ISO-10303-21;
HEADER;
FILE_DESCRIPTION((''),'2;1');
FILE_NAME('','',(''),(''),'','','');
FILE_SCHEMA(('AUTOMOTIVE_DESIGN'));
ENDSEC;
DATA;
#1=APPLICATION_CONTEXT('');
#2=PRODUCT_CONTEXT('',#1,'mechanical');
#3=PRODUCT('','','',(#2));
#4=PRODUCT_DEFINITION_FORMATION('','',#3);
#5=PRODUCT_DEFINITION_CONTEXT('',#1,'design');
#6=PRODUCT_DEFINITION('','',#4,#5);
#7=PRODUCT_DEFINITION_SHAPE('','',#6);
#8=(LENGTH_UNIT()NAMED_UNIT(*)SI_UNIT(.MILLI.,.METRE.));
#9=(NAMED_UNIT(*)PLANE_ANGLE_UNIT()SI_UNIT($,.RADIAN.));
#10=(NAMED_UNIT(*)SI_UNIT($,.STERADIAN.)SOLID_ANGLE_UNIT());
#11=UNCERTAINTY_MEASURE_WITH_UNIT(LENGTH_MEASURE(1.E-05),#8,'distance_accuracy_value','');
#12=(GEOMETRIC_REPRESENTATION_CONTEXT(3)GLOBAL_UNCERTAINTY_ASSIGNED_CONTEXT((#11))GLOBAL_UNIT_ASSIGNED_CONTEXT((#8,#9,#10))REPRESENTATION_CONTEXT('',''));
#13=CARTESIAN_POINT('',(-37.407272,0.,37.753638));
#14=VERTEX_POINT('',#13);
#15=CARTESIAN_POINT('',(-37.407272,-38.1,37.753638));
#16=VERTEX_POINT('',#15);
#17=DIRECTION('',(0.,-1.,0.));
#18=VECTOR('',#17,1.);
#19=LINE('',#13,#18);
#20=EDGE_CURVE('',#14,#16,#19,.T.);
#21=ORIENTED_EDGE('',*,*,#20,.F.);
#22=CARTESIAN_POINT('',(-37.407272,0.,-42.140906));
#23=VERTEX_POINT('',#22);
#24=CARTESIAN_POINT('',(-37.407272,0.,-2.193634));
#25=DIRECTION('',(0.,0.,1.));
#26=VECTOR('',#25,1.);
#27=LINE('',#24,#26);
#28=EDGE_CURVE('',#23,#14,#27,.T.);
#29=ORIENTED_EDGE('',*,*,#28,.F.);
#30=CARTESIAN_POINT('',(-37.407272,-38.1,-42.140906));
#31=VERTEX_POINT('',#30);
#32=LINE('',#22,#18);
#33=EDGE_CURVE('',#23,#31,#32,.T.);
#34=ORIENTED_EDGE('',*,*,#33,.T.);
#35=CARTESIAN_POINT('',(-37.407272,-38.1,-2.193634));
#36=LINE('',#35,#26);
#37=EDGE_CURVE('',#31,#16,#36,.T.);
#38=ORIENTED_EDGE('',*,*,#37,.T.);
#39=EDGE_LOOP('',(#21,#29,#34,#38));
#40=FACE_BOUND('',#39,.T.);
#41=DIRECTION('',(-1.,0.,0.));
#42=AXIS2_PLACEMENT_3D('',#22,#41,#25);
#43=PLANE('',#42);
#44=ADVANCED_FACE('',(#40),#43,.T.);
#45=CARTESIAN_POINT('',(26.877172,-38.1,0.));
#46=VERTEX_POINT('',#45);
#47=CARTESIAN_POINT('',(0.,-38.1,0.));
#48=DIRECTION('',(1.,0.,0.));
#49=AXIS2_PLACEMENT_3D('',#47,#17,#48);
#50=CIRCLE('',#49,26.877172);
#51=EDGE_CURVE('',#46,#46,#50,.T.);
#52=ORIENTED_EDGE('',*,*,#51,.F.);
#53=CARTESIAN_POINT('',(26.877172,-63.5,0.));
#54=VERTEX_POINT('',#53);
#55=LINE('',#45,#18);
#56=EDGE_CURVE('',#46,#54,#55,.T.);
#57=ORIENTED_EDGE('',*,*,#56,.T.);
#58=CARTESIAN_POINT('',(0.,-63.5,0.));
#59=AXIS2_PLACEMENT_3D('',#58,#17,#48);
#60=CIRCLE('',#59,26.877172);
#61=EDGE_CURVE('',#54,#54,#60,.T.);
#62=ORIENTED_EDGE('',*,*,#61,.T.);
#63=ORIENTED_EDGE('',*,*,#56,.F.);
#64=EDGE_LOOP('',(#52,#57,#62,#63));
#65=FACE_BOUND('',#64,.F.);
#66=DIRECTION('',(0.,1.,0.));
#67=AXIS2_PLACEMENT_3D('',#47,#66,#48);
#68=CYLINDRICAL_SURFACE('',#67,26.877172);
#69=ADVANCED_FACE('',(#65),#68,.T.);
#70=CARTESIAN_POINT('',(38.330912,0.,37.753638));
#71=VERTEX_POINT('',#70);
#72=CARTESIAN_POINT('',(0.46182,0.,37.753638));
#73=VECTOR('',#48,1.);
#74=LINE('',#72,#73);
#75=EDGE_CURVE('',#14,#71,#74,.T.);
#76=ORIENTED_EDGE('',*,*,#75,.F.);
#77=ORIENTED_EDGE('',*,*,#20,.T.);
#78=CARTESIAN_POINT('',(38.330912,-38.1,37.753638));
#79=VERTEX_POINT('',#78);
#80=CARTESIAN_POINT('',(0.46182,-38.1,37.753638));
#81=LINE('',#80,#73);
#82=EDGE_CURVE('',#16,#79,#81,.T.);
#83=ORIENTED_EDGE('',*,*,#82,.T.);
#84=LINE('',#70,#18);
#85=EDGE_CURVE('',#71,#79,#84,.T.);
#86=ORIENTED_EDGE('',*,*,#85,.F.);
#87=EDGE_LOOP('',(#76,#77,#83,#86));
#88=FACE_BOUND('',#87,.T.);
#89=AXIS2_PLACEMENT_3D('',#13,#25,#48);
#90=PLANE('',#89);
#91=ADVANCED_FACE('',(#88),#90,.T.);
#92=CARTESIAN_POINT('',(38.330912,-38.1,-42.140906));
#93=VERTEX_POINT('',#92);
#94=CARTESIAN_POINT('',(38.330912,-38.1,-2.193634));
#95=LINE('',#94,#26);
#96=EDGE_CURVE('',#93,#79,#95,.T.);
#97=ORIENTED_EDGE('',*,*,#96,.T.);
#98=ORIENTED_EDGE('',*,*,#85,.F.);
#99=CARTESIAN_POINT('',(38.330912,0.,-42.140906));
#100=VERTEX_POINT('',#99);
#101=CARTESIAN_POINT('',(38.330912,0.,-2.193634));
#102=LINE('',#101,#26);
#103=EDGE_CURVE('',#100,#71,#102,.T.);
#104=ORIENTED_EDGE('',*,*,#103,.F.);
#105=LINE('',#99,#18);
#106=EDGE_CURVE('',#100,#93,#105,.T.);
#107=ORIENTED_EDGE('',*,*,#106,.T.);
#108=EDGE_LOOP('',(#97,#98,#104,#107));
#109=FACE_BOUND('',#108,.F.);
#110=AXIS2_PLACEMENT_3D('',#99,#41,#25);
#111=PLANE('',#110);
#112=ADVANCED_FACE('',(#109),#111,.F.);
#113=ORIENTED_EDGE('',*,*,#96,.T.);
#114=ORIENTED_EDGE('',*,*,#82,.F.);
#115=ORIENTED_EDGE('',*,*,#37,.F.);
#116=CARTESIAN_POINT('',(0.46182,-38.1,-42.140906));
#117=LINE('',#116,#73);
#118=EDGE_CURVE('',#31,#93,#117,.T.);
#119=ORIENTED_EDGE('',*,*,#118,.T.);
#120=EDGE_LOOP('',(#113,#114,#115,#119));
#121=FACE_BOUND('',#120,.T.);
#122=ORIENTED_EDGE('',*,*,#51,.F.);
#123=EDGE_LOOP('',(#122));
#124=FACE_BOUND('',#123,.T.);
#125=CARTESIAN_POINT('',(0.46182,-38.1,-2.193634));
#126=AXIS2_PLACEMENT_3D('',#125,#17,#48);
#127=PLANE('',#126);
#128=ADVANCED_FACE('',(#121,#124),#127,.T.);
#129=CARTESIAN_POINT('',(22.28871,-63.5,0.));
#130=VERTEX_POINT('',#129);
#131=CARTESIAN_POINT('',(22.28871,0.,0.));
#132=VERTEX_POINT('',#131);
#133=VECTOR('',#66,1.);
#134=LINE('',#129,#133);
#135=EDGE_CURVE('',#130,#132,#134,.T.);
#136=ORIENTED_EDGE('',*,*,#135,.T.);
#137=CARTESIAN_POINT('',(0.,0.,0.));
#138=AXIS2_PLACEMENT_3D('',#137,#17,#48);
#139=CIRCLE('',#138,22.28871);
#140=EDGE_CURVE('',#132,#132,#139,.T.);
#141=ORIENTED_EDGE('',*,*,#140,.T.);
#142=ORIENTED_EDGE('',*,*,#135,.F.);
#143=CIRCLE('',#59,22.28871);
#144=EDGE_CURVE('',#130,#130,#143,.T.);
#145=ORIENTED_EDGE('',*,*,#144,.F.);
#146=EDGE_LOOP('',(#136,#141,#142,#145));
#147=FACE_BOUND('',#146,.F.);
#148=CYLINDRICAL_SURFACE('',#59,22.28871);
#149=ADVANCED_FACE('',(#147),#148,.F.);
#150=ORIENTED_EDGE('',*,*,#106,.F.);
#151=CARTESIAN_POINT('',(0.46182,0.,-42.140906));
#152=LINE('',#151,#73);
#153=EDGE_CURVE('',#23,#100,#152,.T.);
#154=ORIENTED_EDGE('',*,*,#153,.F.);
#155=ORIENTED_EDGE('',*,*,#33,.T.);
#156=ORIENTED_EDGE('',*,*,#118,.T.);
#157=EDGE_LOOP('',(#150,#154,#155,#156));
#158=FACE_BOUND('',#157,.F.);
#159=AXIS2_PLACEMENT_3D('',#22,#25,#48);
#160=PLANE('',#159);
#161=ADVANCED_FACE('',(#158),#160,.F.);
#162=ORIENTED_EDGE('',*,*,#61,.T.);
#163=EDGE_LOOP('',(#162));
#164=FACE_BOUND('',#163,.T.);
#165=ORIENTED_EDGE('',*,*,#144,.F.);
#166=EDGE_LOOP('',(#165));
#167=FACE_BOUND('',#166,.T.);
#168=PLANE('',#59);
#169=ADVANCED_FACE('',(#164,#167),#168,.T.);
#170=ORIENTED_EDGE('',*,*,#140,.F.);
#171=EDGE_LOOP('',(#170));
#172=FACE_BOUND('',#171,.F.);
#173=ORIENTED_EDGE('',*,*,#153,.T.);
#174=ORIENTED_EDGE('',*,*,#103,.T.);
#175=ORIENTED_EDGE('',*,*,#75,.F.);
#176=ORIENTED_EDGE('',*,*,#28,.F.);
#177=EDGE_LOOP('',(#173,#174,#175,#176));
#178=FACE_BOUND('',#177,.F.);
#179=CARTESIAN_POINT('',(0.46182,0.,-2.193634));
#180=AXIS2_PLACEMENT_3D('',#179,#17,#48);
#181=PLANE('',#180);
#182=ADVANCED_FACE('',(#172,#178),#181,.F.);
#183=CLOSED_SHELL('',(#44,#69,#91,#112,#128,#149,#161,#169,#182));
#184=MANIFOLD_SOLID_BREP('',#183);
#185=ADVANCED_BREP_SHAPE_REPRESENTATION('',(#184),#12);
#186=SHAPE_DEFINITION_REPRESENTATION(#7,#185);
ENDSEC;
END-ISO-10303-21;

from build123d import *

# Parameters (mm, degrees)
F0_W     = 75.738185
F0_H     = 79.894543
F1_DEPTH = 38.1
F2_R     = 26.877172
F3_DEPTH = 25.4
F4_R     = 22.28871
F5_DEPTH = 63.501


with BuildPart() as f1:
    # F0 (on Front) → F1 (new body)
    with BuildSketch(Plane.XZ):
        with Locations((0.46182, -2.193634)):
            Rectangle(F0_W, F0_H)
    extrude(amount=F1_DEPTH)

    # F2 (on face) → F3 (join)
    with BuildSketch(Plane.XZ.offset(38.1)):
        Circle(F2_R)
    extrude(amount=F3_DEPTH)

    # F4 (on face) → F5 (cut, through all)
    with BuildSketch(Plane.XZ.offset(63.5)):
        Circle(F4_R)
    extrude(amount=-F5_DEPTH, mode=Mode.SUBTRACT)


solid = f1.part
